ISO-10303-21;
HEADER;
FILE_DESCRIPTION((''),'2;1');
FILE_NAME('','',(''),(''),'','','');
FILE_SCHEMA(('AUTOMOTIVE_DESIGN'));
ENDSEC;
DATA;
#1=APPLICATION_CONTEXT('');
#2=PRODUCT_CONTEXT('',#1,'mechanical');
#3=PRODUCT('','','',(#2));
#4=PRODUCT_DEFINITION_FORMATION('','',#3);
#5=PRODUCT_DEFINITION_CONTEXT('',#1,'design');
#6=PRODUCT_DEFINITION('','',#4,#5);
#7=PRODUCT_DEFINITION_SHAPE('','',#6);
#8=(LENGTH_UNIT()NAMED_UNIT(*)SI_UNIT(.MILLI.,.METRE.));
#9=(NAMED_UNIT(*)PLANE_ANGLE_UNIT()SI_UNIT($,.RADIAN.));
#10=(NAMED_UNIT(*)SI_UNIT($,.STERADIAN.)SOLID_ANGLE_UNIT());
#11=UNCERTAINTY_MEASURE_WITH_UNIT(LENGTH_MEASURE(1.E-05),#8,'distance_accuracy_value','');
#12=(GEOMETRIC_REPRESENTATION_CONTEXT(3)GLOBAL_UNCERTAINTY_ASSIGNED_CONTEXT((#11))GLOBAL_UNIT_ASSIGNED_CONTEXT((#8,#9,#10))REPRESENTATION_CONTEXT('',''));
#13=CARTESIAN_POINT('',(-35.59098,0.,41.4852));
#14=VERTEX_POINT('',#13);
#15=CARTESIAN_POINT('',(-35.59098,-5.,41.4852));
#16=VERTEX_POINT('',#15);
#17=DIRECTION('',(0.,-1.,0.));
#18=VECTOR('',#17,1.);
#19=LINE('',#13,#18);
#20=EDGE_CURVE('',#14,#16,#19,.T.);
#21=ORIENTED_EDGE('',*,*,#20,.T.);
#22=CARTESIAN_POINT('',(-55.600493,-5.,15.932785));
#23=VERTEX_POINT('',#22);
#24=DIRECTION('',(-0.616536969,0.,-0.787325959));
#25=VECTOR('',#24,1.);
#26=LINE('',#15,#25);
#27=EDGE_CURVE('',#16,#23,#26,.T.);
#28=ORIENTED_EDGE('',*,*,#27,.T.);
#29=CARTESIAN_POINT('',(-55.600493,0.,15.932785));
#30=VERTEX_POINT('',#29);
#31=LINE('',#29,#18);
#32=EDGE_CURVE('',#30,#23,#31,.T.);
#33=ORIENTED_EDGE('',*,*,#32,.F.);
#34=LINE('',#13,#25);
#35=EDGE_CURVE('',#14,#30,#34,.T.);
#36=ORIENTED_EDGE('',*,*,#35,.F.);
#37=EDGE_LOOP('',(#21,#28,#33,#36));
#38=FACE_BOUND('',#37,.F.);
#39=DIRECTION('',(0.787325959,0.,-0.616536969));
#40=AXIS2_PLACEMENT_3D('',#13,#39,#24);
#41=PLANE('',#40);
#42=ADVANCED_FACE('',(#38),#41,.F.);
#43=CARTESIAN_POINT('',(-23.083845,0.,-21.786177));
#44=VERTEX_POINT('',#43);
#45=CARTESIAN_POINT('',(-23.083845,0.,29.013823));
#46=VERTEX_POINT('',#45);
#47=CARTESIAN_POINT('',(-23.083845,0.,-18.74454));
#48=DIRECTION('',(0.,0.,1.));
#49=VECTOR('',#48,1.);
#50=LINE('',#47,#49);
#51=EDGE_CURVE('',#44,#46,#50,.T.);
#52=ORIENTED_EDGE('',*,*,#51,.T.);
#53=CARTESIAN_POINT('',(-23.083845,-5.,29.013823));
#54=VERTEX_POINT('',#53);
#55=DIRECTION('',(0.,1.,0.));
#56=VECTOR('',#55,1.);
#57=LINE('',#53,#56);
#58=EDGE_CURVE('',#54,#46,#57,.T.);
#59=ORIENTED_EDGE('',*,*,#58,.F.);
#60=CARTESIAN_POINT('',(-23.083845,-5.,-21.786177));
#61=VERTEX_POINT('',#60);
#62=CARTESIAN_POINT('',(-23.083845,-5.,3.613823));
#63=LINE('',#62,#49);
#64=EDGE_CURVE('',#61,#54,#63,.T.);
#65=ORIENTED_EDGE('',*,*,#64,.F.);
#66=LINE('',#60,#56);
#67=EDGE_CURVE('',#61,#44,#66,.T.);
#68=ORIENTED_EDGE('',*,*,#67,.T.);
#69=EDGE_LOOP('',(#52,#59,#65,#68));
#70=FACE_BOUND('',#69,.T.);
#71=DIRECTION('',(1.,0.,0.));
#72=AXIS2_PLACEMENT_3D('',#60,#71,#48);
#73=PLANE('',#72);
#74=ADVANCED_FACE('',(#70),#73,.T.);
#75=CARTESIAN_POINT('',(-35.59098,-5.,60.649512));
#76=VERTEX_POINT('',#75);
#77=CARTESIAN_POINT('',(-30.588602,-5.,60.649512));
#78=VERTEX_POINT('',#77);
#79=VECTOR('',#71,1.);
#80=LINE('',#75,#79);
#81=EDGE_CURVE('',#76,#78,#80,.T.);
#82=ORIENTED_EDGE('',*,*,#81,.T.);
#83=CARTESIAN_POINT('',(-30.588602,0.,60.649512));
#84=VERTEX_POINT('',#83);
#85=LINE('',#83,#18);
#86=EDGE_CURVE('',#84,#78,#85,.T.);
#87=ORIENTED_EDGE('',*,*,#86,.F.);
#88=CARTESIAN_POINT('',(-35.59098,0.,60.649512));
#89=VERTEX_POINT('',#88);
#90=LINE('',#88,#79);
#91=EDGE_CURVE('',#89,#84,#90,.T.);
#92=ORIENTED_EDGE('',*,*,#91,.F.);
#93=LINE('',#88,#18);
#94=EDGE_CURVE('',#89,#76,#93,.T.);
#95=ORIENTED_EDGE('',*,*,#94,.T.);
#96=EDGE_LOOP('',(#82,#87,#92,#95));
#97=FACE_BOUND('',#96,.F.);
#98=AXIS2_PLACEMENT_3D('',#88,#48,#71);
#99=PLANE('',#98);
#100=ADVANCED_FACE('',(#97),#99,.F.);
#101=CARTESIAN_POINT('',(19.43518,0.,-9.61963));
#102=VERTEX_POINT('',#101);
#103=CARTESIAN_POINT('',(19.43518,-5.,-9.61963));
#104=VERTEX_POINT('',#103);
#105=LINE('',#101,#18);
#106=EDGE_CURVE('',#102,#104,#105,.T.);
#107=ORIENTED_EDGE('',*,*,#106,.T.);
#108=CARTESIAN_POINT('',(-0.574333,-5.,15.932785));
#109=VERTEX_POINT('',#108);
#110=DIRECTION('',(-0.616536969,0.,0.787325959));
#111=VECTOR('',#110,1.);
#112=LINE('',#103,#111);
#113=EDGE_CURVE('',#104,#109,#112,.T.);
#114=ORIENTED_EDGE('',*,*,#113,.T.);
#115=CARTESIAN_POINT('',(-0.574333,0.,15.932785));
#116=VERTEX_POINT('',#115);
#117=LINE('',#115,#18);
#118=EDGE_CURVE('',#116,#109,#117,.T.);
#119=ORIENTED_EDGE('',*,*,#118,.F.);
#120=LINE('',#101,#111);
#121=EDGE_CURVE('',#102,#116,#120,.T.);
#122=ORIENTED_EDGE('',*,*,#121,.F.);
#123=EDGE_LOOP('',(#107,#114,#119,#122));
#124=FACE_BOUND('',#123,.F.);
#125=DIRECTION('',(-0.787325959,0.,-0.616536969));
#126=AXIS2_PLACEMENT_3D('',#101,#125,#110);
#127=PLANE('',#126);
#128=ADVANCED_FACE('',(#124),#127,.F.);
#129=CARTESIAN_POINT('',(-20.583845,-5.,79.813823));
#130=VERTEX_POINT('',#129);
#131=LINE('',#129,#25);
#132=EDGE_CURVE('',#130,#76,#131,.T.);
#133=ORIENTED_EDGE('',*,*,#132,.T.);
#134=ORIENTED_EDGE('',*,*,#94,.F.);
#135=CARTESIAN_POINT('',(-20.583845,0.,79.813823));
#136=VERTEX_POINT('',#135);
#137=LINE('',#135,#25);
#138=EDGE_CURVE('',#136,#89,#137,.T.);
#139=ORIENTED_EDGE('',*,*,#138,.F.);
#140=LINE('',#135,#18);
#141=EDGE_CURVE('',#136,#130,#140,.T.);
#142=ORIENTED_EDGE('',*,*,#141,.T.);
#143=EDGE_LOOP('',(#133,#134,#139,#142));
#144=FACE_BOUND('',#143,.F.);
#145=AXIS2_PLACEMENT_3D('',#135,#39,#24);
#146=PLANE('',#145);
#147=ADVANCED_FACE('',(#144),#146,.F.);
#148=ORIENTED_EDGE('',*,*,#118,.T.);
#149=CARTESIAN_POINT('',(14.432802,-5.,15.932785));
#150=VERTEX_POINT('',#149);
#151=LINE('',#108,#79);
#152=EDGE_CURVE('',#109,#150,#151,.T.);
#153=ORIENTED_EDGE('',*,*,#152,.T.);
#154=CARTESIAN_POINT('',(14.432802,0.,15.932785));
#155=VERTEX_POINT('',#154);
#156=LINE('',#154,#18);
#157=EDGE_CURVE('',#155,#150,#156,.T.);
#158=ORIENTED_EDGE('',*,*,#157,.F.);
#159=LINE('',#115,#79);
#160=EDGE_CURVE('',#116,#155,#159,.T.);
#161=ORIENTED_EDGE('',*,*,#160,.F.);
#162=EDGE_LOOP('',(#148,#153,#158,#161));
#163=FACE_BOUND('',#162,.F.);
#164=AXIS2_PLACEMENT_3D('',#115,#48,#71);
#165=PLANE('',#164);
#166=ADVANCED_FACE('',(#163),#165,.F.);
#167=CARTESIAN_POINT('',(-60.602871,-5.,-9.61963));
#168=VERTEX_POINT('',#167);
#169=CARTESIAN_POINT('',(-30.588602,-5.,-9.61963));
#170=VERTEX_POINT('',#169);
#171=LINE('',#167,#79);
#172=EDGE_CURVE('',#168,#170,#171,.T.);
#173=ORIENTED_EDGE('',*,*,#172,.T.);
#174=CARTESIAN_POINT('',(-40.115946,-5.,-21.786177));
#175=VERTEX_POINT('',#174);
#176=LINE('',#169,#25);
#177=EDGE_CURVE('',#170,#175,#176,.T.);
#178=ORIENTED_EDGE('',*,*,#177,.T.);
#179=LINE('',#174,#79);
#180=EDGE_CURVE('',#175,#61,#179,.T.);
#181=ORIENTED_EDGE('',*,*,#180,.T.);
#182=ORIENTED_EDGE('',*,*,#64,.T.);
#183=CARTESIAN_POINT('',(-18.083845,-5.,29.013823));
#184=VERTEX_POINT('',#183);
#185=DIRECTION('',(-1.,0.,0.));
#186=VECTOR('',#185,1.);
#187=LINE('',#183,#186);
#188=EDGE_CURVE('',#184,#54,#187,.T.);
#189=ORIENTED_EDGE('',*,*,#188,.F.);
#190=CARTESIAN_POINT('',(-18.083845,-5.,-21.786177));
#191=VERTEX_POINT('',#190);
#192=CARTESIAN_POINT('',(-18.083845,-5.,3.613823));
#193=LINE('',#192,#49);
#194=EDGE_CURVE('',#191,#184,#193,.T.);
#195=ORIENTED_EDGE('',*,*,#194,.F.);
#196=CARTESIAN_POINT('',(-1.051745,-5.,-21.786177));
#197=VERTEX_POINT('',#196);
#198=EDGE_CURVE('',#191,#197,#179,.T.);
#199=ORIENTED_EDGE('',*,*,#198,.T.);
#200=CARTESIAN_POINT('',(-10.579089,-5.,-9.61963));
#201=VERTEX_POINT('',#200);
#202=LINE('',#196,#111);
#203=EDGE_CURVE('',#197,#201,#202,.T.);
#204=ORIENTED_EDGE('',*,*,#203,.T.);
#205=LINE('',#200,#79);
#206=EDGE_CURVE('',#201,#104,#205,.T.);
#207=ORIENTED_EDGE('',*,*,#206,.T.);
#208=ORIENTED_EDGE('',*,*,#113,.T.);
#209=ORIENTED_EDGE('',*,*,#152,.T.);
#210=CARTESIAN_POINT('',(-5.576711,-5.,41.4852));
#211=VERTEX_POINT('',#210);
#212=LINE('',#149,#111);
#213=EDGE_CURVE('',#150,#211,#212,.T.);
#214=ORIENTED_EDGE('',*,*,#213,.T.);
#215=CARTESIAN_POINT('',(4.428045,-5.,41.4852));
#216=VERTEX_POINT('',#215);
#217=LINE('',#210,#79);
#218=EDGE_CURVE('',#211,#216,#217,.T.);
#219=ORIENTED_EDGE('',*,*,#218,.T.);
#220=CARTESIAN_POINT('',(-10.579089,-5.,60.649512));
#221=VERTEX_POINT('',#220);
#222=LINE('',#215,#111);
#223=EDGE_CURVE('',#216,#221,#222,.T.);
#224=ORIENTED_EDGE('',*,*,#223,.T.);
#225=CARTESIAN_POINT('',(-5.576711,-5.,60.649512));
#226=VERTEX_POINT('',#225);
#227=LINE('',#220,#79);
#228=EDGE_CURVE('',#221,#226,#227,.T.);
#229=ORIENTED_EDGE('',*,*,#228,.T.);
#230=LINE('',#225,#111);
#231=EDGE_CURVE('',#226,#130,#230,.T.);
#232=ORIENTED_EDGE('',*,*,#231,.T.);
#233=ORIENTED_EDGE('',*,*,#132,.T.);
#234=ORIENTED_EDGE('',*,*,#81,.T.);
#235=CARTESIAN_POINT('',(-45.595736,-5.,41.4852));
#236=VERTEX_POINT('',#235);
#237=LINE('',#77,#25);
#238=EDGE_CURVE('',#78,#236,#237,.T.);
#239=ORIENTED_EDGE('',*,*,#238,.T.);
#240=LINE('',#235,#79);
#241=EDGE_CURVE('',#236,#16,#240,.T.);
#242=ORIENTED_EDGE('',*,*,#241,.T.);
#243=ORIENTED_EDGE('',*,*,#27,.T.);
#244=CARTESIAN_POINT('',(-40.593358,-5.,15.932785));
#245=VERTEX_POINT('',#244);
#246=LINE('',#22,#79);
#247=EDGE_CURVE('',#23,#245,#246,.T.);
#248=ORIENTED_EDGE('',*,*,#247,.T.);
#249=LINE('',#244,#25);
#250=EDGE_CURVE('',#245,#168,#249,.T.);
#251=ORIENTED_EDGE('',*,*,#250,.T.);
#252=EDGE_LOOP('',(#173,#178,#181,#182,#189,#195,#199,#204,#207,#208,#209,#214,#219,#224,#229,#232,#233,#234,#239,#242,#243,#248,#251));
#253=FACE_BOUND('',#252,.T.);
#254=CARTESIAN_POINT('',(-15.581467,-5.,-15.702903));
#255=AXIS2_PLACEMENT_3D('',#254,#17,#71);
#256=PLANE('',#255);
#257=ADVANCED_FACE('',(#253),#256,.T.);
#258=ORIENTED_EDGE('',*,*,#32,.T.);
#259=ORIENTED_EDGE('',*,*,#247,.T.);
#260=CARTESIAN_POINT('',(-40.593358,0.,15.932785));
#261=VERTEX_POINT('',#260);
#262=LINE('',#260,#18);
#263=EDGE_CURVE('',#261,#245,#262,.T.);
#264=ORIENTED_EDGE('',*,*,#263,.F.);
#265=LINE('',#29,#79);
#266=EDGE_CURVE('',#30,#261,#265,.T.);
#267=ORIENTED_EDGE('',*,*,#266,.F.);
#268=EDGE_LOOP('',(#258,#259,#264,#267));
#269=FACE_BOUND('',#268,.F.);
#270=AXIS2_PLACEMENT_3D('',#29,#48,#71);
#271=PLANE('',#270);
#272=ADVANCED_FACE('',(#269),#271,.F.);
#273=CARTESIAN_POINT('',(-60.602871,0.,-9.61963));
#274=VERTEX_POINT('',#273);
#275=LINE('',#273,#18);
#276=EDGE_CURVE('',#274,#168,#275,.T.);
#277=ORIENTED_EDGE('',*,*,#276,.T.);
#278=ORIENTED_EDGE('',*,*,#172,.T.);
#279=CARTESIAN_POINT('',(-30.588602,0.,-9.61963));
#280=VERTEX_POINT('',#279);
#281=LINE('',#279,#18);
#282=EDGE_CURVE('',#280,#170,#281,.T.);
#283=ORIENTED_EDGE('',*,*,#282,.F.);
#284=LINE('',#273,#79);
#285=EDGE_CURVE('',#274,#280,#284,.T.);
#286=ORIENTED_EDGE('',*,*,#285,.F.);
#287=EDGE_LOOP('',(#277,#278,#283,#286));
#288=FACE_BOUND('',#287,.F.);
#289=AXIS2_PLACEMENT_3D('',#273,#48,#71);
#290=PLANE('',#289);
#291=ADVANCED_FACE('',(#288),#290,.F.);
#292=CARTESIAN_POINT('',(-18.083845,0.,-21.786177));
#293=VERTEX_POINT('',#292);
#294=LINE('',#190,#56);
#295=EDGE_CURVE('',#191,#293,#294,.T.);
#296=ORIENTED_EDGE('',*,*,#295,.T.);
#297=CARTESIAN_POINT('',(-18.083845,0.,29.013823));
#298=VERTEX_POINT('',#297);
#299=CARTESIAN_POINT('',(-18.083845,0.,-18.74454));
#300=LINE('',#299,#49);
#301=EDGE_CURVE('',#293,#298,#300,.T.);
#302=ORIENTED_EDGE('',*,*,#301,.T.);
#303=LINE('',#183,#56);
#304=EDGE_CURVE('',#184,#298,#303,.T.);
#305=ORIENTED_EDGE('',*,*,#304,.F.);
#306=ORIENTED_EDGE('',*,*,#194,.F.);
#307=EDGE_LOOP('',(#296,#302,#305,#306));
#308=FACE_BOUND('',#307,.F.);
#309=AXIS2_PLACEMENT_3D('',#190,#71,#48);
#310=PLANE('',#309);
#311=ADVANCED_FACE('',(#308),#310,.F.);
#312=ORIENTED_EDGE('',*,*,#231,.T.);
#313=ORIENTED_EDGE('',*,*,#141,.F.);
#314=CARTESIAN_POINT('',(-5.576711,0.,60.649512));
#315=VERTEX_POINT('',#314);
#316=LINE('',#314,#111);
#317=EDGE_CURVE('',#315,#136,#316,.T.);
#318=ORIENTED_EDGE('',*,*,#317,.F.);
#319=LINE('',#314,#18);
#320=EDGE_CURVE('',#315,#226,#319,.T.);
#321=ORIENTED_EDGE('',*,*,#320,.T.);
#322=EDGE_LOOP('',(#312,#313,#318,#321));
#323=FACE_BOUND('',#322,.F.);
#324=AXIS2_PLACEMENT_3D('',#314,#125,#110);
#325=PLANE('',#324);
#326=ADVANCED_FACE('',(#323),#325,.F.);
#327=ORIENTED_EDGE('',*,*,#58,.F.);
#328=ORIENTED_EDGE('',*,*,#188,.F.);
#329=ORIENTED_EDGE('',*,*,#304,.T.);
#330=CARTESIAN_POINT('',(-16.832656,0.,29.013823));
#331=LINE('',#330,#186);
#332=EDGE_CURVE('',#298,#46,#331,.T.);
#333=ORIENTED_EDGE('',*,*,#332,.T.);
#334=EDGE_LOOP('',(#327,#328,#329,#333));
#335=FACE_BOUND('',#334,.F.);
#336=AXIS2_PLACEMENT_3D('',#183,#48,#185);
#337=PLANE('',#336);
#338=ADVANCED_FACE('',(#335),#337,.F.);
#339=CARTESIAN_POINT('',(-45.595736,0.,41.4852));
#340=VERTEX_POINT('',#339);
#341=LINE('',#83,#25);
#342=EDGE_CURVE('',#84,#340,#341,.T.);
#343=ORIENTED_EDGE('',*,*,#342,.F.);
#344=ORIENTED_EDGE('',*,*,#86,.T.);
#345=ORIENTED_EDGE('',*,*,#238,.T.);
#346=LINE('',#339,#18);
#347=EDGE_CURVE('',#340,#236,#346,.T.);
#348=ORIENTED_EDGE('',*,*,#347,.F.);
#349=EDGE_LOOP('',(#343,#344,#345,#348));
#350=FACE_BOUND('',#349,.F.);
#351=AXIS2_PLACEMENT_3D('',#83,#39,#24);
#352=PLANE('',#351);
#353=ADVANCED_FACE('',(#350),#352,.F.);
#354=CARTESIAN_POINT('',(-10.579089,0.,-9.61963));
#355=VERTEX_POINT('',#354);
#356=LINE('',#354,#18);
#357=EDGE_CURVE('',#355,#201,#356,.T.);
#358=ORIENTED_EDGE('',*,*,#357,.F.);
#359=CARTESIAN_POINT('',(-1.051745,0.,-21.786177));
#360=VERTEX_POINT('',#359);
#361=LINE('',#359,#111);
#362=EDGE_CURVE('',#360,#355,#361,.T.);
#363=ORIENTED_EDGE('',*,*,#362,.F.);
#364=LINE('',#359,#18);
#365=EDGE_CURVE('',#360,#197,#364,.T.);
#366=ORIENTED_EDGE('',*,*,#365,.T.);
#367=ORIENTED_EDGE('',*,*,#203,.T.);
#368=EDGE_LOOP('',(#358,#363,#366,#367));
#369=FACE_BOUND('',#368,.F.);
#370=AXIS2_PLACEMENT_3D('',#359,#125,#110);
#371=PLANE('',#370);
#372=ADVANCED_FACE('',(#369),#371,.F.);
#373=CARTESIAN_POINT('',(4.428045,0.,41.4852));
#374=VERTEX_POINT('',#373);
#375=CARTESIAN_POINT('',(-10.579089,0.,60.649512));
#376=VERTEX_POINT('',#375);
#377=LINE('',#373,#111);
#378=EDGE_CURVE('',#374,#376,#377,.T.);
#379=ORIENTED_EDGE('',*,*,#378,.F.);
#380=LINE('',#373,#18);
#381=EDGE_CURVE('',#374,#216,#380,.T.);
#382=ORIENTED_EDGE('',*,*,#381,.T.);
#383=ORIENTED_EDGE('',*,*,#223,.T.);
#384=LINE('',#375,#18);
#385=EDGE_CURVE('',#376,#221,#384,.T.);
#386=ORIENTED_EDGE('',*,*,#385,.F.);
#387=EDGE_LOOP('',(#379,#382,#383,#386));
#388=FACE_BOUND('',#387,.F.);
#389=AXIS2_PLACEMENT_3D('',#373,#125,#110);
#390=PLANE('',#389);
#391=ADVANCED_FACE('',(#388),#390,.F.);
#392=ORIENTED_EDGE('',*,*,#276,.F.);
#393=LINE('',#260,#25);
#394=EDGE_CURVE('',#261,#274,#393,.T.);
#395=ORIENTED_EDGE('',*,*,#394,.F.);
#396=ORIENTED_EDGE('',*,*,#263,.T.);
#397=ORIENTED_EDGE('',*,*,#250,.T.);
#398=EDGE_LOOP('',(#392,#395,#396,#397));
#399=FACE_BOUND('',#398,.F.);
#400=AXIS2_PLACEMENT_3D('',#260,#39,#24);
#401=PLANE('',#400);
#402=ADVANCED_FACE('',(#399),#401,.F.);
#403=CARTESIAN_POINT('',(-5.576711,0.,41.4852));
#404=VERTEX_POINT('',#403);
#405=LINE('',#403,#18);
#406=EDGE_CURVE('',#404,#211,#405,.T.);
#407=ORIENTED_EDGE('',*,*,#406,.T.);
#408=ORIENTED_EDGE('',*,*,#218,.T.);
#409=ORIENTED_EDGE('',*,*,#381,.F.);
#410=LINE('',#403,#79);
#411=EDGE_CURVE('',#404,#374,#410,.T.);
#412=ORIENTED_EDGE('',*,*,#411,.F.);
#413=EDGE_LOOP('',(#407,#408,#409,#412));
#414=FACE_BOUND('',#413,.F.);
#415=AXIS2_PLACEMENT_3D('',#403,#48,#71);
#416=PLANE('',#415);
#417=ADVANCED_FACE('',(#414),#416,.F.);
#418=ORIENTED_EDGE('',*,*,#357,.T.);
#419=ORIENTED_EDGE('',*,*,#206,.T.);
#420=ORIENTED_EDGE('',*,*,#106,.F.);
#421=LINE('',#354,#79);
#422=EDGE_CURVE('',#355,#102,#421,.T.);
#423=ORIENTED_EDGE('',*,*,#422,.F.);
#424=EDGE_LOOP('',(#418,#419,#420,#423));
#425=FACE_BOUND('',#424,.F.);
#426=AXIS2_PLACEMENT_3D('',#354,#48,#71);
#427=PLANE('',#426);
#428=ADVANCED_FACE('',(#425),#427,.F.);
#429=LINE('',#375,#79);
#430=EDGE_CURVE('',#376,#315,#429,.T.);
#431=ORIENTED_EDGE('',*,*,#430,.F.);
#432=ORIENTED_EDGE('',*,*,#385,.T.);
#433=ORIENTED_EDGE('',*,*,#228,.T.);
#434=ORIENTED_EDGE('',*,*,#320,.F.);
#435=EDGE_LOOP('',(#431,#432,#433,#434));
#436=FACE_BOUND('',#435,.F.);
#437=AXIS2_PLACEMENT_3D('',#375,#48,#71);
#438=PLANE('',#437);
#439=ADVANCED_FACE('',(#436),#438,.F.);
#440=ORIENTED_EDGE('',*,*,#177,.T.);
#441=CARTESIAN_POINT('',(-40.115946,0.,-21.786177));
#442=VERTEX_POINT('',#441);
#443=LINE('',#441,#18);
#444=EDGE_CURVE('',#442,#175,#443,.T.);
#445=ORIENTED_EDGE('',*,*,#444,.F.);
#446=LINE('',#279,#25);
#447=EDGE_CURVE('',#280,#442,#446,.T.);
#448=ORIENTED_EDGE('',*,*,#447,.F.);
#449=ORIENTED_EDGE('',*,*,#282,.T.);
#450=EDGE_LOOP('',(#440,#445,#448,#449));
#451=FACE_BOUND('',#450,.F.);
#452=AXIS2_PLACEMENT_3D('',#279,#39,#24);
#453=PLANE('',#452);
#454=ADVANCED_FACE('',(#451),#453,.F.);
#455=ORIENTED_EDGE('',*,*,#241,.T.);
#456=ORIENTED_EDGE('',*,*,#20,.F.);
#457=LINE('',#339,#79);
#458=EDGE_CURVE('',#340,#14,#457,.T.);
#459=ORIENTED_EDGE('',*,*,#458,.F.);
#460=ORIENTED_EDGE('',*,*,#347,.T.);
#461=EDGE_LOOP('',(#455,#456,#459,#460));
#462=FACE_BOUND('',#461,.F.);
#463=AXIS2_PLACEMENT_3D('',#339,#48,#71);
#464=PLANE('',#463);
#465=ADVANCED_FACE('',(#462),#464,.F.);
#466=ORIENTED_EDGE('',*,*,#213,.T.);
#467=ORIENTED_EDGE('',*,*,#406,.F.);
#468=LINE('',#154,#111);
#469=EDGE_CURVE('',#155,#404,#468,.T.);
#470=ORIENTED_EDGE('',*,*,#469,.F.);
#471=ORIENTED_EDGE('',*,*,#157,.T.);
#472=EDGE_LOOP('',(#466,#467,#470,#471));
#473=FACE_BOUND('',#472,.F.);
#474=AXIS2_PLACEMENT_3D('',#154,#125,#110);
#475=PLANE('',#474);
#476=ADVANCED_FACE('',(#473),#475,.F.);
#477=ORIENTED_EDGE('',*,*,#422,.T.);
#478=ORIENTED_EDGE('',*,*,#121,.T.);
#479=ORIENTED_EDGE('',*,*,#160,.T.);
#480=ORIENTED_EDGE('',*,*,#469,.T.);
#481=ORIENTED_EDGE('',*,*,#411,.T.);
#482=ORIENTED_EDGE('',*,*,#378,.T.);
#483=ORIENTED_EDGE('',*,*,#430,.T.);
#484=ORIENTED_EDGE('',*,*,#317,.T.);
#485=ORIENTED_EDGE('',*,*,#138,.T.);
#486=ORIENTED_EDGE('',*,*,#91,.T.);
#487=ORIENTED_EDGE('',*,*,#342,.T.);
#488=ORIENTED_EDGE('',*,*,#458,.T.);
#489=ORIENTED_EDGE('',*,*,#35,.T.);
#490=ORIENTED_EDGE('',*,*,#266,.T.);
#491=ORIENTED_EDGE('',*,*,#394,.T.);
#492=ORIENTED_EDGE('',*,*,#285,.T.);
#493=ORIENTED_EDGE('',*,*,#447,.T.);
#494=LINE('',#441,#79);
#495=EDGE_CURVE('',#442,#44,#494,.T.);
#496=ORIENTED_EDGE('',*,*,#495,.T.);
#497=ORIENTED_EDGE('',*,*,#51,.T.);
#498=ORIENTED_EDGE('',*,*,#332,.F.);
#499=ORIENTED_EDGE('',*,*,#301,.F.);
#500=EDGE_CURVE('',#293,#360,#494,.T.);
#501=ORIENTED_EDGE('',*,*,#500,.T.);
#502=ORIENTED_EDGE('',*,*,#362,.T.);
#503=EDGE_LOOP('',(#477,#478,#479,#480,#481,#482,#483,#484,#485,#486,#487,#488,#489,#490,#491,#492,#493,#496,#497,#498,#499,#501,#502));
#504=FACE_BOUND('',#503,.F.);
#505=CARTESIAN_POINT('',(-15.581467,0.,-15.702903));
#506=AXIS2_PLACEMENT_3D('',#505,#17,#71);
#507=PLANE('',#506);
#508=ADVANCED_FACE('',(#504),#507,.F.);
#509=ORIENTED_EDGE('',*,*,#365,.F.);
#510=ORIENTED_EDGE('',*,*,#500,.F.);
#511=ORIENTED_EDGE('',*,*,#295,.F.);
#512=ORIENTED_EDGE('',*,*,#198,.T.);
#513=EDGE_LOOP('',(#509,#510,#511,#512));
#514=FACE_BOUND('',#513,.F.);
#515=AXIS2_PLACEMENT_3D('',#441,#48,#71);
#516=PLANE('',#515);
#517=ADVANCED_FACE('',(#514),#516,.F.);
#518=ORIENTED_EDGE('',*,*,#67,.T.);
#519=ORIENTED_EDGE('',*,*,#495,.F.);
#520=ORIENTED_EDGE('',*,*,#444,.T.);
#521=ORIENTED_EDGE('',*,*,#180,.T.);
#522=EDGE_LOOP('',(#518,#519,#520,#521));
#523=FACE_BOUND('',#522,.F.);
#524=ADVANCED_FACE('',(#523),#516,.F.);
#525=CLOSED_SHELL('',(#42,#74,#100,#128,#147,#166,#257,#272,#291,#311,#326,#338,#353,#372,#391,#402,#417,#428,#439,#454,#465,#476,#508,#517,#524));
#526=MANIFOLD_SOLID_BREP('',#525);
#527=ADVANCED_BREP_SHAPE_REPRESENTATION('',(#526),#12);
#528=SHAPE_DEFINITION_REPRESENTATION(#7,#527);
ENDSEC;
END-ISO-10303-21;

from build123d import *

# Parameters (mm, degrees)
F0_W     = 10.0047563096
F0_H     = 12.1665462216
F1_DEPTH = 5
F2_W     = 2.5
F2_H     = 50.8
F3_DEPTH = 25


with BuildPart() as f1:
    # F0 (on Front) → F1 (new body)
    with BuildSketch(Plane.XZ):
        with Locations((-15.5814673178, -15.7029034832)):
            Rectangle(F0_W, F0_H)
        with Locations((-25.5862236274, -15.7029034832)):
            Rectangle(F0_W, F0_H)
        Polygon((-10.579089163, -9.6196303724), (-10.579089163, -21.786176594), (-1.0517448133, -21.786176594), align=None)
        Polygon((-40.1159461319, -21.786176594), (-30.5886017822, -21.786176594), (-30.5886017822, -9.6196303724), align=None)
        Polygon((-20.5838454726, 15.9327849929), (-20.5838454726, -9.6196303724), (-10.579089163, -9.6196303724), (19.4351797657, -9.6196303724), (-0.5743328534, 15.9327849929), align=None)
        Polygon((-30.5886017822, -9.6196303724), (-20.5838454726, -9.6196303724), (-20.5838454726, 15.9327849929), (-40.5933580917, 15.9327849929), (-60.6028707109, -9.6196303724), align=None)
        Polygon((-20.5838454726, 41.4852003581), (-20.5838454726, 15.9327849929), (-0.5743328534, 15.9327849929), (14.4328016109, 15.9327849929), (-5.5767110082, 41.4852003581), align=None)
        Polygon((-40.5933580917, 15.9327849929), (-20.5838454726, 15.9327849929), (-20.5838454726, 41.4852003581), (-35.5909799369, 41.4852003581), (-55.6004925561, 15.9327849929), align=None)
        Polygon((-35.5909799369, 41.4852003581), (-20.5838454726, 41.4852003581), (-5.5767110082, 41.4852003581), (4.4280453014, 41.4852003581), (-10.579089163, 60.6495118821), (-30.5886017822, 60.6495118821), (-45.5957362465, 41.4852003581), align=None)
        Polygon((-30.5886017822, 60.6495118821), (-10.579089163, 60.6495118821), (-5.5767110082, 60.6495118821), (-20.5838454726, 79.813823406), (-35.5909799369, 60.6495118821), align=None)
    extrude(amount=F1_DEPTH)

    # F2 (on face) → F3 (cut)
    with BuildSketch(Plane.XZ.offset(5)):
        with Locations((-21.8338454726, 3.613823406)):
            Rectangle(F2_W, F2_H)
        with Locations((-19.3338454726, 3.613823406)):
            Rectangle(F2_W, F2_H)
    extrude(amount=-F3_DEPTH, mode=Mode.SUBTRACT)


solid = f1.part
